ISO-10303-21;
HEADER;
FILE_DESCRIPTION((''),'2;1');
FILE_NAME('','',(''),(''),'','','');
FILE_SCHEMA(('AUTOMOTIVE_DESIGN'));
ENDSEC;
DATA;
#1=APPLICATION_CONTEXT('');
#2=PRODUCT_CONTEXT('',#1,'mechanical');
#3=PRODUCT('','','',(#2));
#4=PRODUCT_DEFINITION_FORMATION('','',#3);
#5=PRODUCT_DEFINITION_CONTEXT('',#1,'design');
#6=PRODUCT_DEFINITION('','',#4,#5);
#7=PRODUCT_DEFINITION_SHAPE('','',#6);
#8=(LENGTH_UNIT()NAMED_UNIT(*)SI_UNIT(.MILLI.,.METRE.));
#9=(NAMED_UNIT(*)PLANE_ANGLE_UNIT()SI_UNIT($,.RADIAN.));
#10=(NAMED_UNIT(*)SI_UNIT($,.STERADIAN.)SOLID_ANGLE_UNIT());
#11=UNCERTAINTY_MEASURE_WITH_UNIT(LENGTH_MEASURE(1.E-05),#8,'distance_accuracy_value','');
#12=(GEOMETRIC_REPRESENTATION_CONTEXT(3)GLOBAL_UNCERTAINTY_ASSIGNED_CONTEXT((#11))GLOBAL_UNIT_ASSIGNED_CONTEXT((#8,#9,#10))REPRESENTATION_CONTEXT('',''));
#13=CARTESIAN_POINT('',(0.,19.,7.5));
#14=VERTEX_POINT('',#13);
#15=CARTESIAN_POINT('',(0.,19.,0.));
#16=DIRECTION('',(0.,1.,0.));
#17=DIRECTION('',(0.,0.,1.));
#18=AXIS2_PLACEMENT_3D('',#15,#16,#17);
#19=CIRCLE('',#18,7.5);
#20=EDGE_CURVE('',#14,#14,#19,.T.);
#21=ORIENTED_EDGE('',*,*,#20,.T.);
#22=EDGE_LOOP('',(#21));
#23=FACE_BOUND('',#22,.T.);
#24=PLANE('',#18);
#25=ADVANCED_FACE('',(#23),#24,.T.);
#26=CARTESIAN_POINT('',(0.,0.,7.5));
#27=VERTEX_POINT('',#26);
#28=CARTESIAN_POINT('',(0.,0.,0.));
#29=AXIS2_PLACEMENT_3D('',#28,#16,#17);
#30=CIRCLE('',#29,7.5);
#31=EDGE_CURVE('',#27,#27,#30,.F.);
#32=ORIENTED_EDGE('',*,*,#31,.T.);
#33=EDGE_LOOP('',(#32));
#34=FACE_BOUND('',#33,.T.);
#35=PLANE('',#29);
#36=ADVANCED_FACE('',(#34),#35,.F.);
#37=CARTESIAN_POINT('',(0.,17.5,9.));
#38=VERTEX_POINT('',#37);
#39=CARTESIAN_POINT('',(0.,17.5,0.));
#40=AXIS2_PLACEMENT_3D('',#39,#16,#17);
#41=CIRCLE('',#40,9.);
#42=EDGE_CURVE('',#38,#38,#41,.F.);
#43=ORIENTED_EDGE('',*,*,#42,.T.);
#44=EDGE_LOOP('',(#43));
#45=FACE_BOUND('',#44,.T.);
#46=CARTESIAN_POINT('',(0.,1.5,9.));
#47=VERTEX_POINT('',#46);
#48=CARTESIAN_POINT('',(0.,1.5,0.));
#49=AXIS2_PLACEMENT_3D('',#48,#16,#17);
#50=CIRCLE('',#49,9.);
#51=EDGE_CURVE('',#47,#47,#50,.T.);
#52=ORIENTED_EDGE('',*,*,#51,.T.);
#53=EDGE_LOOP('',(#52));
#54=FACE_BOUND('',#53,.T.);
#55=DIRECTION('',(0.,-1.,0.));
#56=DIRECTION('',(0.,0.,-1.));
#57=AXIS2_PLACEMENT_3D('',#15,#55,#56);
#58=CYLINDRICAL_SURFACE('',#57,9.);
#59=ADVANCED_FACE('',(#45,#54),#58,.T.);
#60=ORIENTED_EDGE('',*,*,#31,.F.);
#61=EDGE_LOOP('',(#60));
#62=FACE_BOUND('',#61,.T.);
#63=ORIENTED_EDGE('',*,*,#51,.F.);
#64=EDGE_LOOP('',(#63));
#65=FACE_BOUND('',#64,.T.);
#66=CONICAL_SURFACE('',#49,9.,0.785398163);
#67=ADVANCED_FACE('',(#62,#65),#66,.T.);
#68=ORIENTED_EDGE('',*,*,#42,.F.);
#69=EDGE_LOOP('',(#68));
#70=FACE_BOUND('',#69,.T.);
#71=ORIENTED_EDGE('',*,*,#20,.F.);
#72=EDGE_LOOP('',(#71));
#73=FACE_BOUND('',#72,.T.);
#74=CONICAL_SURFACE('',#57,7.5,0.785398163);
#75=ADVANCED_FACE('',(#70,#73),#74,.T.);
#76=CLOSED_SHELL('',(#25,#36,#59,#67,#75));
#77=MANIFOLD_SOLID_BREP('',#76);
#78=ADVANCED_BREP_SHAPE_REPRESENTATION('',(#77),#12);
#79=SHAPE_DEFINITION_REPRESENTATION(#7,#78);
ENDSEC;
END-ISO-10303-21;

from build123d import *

# Parameters (mm, degrees)
SKETCH1_R           = 9
BOSS_EXTRUDE1_DEPTH = 19
CHAMFER1_SIZE       = 1.5


with BuildPart() as part:
    # Sketch1 → Boss-Extrude1 (new body)
    with BuildSketch(Plane(origin=(0, 0, 0), x_dir=(1, 0, 0), z_dir=(0, 1, 0))):
        with Locations(Location((0, 0, 0), (0, 0, 270))):  # turned: the seam where the file's is
            Circle(SKETCH1_R)
    extrude(amount=BOSS_EXTRUDE1_DEPTH)

    # Chamfer1
    chamfer1_edges = [part.edges().sort_by_distance(p)[0] for p in [
        (0, 0, -9),
        (0, 19, -9),
    ]]
    chamfer(chamfer1_edges, length=CHAMFER1_SIZE)


solid = part.part
